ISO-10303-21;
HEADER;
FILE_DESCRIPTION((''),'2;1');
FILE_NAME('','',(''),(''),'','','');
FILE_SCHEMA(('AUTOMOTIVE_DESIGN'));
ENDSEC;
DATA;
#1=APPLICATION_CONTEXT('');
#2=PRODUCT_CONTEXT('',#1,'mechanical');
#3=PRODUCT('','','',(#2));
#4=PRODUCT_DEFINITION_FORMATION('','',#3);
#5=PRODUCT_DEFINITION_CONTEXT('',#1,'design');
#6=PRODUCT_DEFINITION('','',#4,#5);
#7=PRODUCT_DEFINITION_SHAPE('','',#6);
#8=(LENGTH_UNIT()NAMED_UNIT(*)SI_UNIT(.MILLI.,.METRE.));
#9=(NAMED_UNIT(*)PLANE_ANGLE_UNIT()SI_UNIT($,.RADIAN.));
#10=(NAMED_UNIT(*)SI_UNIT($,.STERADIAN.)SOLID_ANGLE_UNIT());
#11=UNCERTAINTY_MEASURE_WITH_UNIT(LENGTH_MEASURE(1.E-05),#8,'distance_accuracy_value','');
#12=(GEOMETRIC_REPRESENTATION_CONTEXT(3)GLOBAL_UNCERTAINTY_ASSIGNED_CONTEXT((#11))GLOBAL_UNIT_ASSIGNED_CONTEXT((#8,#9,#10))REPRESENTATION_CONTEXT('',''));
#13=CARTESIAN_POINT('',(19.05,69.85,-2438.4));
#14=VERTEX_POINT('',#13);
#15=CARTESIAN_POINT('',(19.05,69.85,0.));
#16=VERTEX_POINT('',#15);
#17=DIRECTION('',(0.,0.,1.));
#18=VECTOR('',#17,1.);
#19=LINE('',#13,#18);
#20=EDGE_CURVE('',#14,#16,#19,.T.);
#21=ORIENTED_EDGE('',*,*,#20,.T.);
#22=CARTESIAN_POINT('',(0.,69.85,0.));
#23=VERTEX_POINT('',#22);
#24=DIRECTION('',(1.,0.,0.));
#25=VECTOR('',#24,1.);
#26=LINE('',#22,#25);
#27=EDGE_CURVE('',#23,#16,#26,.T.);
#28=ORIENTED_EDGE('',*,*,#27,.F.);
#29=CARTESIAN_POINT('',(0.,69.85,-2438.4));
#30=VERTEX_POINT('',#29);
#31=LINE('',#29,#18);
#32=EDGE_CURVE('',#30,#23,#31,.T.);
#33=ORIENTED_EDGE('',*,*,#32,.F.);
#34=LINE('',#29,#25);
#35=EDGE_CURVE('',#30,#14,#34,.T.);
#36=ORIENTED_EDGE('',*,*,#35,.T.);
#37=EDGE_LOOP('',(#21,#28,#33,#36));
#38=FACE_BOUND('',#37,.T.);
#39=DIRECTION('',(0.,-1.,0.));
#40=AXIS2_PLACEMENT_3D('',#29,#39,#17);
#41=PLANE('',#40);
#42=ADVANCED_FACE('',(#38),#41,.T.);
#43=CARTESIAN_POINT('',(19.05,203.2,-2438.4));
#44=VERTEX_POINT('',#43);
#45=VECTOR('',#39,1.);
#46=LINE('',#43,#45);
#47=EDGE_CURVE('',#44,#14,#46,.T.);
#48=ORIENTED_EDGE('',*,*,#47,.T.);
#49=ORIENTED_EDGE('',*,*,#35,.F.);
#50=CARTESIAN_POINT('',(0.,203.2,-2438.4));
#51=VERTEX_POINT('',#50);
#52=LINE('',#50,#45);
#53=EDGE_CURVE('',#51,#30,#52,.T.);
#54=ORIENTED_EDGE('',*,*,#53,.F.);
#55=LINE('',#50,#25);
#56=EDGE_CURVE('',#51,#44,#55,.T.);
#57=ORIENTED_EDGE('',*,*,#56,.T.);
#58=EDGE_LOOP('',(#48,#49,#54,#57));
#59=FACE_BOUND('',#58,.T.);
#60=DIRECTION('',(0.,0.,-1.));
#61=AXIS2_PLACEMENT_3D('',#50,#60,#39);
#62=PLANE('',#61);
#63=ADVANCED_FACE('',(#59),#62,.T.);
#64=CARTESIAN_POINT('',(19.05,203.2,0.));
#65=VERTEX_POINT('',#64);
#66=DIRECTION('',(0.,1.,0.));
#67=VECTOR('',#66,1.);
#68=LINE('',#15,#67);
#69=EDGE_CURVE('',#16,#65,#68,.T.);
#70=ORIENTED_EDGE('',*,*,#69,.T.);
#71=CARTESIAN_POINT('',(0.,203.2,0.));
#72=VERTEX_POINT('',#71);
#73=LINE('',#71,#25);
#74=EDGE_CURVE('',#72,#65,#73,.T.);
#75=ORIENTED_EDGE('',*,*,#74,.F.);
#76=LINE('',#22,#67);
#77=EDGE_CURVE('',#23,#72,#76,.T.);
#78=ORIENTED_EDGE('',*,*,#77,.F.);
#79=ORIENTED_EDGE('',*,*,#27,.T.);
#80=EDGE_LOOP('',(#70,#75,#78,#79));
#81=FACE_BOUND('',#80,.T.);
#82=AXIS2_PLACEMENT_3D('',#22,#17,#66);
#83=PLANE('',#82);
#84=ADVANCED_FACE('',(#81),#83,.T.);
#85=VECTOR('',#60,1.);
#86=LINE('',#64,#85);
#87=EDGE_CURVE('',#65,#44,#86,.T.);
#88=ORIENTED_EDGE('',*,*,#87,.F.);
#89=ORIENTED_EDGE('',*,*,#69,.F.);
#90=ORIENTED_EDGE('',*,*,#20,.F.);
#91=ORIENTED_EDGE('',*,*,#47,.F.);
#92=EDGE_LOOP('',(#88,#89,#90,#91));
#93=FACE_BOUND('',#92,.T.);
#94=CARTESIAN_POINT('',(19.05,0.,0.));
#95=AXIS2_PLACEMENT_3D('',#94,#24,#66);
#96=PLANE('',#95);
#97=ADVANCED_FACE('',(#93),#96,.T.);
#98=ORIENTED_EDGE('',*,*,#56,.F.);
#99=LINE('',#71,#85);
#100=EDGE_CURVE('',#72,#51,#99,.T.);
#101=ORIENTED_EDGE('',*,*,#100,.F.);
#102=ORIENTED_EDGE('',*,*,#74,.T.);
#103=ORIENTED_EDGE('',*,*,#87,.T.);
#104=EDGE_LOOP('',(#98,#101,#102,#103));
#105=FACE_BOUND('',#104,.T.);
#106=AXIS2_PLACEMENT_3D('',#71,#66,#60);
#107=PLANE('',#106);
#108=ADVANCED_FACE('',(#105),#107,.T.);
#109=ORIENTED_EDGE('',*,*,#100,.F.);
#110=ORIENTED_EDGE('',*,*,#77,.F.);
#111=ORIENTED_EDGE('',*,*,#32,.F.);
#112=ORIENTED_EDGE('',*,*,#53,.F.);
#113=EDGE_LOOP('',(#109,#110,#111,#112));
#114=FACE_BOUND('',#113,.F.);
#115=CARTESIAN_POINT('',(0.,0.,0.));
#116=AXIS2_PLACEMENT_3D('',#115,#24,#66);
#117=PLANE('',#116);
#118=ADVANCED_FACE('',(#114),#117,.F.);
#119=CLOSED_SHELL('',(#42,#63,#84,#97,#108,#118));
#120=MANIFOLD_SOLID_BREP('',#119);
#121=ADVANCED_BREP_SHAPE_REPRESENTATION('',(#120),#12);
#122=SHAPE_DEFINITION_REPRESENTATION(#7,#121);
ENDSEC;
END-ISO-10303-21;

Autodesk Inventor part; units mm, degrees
ref_plane "YZ Plane" through (0, 0, 0) normal (1, 0, 0) x (0, 1, 0)
ref_plane "XZ Plane" through (0, 0, 0) normal (0, 1, 0) x (-1, 0, 0)
ref_plane "XY Plane" through (0, 0, 0) normal (0, 0, 1) x (1, 0, 0)
sketch "Sketch1" plane through (0, 0, 0) normal (1, 0, 0) x (0, 1, 0)
  line L0 (69.85, 0) -> (203.2, 0)
  line L1 (203.2, 0) -> (203.2, -2438.4)
  line L2 (203.2, -2438.4) -> (69.85, -2438.4)
  line L3 (69.85, -2438.4) -> (69.85, 0)
  dimension "d0" = 2438.4
  dimension "d1" = 133.35
extrude "Extrusion1" add sketch "Sketch1" along normal blind 19.05
properties part number "Side1"
